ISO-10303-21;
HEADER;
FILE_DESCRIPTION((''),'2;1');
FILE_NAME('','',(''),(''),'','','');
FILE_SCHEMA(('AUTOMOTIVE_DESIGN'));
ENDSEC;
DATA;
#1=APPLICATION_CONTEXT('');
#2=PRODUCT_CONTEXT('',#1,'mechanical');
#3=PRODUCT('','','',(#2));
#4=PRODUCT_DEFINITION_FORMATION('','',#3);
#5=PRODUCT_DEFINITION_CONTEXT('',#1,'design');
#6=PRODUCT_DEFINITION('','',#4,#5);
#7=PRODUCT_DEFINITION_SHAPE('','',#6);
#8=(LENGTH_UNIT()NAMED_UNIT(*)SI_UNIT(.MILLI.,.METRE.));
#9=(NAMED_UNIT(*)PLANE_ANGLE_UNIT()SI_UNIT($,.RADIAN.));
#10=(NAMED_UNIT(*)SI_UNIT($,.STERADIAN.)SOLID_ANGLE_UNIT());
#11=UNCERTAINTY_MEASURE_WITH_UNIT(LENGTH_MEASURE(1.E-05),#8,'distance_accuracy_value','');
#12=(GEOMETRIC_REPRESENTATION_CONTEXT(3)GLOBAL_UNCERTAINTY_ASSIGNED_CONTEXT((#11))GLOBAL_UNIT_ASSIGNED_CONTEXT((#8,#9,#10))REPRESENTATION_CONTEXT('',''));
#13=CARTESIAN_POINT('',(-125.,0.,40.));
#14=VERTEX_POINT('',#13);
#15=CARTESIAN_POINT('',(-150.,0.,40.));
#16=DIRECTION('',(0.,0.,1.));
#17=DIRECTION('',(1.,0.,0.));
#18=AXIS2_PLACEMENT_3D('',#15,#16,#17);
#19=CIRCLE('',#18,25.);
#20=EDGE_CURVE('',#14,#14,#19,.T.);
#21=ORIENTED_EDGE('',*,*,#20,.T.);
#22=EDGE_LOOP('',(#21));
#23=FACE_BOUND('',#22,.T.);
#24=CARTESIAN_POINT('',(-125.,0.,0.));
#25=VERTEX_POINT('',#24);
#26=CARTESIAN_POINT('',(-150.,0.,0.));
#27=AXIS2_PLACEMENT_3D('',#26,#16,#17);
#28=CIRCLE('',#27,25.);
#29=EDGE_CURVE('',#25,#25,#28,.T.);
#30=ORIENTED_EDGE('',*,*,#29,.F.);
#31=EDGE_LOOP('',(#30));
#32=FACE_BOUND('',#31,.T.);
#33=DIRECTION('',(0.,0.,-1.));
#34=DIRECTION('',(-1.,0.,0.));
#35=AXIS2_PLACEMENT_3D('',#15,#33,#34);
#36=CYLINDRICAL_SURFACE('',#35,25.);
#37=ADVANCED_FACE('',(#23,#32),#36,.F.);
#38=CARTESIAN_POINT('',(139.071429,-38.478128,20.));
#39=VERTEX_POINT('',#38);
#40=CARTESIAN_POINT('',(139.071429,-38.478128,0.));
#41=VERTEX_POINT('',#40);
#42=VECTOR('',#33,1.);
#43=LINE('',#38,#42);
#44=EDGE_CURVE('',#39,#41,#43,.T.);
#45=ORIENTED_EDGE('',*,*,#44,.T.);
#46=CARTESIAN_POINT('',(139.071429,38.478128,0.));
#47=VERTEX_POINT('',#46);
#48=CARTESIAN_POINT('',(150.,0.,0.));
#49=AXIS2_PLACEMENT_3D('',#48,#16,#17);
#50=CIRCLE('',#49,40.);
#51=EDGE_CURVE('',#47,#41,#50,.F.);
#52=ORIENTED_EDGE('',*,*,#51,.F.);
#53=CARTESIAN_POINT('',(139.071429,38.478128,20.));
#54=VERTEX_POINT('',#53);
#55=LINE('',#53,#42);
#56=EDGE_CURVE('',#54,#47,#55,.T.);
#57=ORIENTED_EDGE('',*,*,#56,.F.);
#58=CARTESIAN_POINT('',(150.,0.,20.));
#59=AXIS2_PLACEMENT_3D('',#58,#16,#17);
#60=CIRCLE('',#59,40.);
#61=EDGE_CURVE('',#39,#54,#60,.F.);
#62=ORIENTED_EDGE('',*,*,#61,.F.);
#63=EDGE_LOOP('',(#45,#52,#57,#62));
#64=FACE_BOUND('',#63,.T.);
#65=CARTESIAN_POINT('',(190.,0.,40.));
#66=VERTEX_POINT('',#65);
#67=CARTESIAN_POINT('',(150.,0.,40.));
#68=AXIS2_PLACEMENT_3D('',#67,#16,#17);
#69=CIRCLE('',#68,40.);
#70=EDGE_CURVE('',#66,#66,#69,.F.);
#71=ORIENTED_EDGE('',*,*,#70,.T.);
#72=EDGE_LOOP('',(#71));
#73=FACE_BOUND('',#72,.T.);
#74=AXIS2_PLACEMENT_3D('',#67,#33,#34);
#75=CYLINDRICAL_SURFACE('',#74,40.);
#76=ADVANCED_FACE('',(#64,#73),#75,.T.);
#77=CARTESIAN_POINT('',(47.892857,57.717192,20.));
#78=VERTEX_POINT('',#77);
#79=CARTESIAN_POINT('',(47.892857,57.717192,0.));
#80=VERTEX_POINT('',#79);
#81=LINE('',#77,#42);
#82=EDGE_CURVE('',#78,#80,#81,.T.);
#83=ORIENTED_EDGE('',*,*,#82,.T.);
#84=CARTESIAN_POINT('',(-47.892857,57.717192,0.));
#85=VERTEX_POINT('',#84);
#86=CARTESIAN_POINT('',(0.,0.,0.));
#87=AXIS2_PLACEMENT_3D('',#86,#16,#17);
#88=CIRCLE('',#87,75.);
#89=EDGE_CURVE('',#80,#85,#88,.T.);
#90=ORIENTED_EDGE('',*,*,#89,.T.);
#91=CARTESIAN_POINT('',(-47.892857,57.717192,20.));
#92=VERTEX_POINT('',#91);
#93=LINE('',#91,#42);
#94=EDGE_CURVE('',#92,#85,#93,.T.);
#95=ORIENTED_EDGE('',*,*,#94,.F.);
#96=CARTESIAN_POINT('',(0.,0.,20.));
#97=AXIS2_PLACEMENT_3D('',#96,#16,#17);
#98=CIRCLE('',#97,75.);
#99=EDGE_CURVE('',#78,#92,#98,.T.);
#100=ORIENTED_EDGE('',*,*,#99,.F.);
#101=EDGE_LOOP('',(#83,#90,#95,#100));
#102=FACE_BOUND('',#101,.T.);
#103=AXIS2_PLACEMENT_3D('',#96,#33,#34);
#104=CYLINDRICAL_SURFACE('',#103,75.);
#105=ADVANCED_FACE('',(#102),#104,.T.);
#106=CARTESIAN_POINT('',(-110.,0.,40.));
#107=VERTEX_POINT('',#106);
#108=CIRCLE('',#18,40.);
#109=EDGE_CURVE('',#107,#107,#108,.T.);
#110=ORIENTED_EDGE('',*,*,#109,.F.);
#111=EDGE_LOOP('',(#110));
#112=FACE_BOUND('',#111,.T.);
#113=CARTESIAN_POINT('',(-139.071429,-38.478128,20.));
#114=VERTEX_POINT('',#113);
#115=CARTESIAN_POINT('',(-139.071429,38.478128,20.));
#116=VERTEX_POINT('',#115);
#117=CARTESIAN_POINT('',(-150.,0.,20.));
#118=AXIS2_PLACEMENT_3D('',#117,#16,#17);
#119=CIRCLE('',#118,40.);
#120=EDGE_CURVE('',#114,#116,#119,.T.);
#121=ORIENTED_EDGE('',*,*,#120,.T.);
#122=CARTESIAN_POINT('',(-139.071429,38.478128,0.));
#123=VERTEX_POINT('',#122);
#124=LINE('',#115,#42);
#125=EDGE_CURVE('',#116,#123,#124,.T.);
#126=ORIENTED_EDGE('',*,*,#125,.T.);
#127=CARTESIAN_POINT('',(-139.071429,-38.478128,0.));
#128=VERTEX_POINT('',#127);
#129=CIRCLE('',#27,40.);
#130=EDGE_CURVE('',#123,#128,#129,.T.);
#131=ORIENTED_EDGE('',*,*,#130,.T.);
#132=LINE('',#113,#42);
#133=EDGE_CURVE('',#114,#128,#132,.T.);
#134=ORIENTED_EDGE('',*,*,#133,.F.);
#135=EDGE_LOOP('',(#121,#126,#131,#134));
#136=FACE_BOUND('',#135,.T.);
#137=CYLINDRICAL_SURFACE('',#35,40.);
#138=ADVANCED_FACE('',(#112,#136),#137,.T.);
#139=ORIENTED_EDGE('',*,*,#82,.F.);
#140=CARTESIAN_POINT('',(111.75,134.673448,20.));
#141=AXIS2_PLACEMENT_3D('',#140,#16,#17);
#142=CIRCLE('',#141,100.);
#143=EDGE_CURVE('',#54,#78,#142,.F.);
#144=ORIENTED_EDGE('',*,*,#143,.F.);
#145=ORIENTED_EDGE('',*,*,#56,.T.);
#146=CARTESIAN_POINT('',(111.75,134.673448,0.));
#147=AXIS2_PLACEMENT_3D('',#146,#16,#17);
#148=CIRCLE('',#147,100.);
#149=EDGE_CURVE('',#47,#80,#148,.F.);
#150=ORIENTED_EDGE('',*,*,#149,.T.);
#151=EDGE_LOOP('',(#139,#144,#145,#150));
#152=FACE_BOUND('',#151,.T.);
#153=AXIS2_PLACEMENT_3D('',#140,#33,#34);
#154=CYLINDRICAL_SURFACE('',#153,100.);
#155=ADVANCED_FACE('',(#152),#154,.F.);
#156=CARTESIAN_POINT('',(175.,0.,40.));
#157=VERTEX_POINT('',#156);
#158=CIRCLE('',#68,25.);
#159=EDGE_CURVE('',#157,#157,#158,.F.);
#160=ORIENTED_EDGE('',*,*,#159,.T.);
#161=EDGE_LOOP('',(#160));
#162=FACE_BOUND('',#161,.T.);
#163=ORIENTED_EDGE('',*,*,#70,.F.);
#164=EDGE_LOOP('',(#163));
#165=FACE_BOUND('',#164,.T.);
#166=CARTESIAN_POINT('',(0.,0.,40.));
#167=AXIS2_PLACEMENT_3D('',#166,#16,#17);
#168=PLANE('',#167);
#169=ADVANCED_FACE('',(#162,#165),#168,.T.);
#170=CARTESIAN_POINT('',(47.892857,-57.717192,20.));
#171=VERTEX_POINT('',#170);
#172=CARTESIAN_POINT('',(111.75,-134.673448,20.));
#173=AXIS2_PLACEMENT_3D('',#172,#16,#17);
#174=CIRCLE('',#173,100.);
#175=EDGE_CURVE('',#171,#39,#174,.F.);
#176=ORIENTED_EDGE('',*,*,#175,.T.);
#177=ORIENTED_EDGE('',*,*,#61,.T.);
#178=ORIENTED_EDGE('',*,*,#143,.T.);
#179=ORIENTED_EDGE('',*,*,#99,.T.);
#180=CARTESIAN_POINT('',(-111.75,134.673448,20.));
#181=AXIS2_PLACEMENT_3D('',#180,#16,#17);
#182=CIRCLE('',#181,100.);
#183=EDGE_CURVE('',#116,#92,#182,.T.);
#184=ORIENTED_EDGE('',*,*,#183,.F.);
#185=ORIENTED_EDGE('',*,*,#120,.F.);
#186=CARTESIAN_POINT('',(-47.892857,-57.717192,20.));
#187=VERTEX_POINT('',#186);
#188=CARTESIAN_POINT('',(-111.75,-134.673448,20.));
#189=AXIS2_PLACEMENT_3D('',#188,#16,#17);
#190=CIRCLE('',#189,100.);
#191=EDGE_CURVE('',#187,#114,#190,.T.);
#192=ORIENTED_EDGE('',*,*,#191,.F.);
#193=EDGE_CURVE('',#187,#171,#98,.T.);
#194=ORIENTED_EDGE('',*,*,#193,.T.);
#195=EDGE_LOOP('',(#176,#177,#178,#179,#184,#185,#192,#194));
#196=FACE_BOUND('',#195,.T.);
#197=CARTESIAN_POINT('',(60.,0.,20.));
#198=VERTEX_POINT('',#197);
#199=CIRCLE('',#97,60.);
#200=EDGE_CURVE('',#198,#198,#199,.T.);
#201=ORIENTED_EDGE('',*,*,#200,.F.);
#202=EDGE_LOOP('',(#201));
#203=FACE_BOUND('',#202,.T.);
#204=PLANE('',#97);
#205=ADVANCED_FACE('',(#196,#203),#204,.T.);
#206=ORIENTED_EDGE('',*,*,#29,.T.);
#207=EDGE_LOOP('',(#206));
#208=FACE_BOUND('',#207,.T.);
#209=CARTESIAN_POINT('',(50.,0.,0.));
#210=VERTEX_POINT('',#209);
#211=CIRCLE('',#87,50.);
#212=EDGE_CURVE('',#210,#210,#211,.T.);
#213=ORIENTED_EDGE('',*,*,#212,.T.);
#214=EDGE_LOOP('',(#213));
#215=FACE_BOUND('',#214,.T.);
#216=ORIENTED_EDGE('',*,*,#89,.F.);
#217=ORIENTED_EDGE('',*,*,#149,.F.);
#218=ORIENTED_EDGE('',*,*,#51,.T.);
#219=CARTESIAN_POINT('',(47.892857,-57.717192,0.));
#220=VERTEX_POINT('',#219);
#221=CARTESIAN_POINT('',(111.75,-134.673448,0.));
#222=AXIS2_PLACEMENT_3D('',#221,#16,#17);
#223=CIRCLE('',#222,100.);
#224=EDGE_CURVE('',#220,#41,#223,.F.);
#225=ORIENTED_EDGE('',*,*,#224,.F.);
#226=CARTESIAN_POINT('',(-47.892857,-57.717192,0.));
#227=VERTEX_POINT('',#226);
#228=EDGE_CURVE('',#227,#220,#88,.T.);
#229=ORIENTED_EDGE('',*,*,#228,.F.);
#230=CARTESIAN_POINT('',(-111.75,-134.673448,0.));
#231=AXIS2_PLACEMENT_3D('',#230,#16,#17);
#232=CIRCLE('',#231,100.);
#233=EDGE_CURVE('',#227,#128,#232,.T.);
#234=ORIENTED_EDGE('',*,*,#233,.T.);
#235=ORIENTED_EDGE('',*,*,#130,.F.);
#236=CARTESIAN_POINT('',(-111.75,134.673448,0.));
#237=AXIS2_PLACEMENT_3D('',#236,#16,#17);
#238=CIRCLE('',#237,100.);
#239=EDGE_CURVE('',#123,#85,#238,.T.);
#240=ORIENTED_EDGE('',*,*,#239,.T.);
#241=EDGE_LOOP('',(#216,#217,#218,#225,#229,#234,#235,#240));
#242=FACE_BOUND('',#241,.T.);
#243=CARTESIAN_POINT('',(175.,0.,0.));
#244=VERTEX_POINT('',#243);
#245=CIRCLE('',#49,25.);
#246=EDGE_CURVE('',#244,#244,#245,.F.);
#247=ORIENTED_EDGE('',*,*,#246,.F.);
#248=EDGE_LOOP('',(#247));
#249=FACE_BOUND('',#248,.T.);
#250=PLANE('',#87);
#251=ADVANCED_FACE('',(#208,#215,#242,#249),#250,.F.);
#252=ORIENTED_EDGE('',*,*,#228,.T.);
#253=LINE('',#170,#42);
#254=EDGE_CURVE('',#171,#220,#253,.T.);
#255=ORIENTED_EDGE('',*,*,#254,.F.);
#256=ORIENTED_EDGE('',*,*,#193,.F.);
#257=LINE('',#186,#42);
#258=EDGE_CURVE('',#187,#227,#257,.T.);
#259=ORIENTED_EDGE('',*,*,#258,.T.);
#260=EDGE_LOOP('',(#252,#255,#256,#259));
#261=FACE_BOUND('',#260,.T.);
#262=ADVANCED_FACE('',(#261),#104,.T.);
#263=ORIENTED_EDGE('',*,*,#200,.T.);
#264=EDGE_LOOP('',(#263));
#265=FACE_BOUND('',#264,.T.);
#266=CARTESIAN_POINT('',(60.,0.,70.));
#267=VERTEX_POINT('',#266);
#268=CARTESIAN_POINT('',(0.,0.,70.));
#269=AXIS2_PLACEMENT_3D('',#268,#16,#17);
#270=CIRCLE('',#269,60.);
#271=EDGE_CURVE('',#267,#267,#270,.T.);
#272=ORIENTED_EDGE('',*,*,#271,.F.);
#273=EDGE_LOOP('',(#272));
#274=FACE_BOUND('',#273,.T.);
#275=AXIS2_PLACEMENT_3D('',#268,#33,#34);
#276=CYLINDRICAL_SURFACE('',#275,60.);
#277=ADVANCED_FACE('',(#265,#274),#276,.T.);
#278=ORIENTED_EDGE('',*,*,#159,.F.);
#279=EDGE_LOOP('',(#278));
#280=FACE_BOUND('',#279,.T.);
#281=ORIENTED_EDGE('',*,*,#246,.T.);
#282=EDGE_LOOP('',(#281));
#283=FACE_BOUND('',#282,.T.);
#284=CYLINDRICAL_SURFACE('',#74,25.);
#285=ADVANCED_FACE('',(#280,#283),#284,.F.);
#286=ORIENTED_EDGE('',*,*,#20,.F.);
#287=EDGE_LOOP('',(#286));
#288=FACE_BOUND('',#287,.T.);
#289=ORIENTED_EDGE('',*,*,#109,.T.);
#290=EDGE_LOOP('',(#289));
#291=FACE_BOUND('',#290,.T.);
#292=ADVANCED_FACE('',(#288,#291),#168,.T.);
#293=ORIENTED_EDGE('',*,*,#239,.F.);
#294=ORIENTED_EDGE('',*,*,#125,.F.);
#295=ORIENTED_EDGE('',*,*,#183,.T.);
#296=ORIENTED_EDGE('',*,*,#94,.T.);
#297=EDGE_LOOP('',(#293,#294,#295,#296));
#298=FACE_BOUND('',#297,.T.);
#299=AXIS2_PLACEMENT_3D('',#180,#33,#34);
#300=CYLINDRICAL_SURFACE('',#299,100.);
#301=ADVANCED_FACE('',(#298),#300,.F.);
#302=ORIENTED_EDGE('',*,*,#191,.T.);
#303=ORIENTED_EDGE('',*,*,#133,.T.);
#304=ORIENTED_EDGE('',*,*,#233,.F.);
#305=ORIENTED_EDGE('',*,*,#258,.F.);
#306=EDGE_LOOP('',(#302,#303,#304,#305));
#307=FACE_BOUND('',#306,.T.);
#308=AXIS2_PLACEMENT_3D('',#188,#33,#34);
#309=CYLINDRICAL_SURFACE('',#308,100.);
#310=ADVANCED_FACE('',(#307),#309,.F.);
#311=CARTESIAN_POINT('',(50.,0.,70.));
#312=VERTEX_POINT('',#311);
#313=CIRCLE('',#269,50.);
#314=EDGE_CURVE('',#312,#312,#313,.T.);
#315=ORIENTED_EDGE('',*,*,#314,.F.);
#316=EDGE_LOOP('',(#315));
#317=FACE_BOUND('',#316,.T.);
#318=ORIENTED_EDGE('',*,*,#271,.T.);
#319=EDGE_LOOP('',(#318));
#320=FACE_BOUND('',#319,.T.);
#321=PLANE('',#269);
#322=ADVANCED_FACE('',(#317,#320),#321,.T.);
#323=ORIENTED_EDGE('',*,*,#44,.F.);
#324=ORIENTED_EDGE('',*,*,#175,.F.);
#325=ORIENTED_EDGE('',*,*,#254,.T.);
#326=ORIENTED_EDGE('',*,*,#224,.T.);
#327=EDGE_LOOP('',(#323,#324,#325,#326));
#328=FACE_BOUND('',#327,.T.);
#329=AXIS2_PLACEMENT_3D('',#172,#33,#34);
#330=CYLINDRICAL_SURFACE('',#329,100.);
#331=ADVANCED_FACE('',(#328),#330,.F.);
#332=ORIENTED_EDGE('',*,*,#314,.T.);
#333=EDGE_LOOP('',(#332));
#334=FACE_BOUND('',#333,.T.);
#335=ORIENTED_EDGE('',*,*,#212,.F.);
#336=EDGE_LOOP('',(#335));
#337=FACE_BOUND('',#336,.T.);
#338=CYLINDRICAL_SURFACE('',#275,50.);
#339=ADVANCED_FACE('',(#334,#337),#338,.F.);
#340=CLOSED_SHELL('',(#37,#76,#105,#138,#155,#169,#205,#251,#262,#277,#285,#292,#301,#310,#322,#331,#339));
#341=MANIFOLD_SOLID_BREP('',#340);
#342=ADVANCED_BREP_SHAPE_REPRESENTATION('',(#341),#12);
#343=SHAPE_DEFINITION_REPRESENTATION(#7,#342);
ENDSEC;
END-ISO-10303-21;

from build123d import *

# Parameters (mm, degrees)
SKETCH2_R           = 60
BOSS_EXTRUDE1_DEPTH = 20
SKETCH2_5_R         = 40
SKETCH2_5_R_2       = 25
BOSS_EXTRUDE4_DEPTH = 40
SKETCH2_6_R         = 60
SKETCH2_6_R_2       = 50
BOSS_EXTRUDE5_DEPTH = 70


with BuildPart() as part:
    # Sketch2 → Boss-Extrude1 (new body)
    with BuildSketch(Plane.XY):
        with BuildLine():
            ThreePointArc((-139.071428571, -38.478127898), (-91.104177178, -36.827906099), (-47.892857143, -57.717191847))
            ThreePointArc((-47.892857143, -57.717191847), (0, -75), (47.892857143, -57.717191847))
            ThreePointArc((47.892857143, -57.717191847), (91.104177178, -36.827906099), (139.071428571, -38.478127898))
            ThreePointArc((139.071428571, -38.478127898), (110, 0), (139.071428571, 38.478127898))
            ThreePointArc((139.071428571, 38.478127898), (91.104177178, 36.827906099), (47.892857143, 57.717191847))
            ThreePointArc((47.892857143, 57.717191847), (0, 75), (-47.892857143, 57.717191847))
            ThreePointArc((-47.892857143, 57.717191847), (-91.104177178, 36.827906099), (-139.071428571, 38.478127898))
            ThreePointArc((-139.071428571, 38.478127898), (-118.084934144, 24.112830017), (-110, 0))
            ThreePointArc((-110, 0), (-118.084934144, -24.112830017), (-139.071428571, -38.478127898))
        make_face()
        Circle(SKETCH2_R, mode=Mode.SUBTRACT)
    extrude(amount=BOSS_EXTRUDE1_DEPTH)

    # Sketch2<5> → Boss-Extrude4 (add)
    # profile 1 of 2: a face of its own
    with BuildSketch(Plane.XY):
        with Locations((-150, 0)):
            Circle(SKETCH2_5_R)
        with Locations((-150, 0)):
            Circle(SKETCH2_5_R_2, mode=Mode.SUBTRACT)
    # profile 2 of 2: a face of its own
    with BuildSketch(Plane.XY):
        with Locations((150, 0)):
            Circle(SKETCH2_5_R)
        with Locations((150, 0)):
            Circle(SKETCH2_5_R_2, mode=Mode.SUBTRACT)
    extrude(amount=BOSS_EXTRUDE4_DEPTH)

    # Sketch2<6> → Boss-Extrude5 (add)
    with BuildSketch(Plane.XY):
        Circle(SKETCH2_6_R)
        Circle(SKETCH2_6_R_2, mode=Mode.SUBTRACT)
    extrude(amount=BOSS_EXTRUDE5_DEPTH)


solid = part.part
